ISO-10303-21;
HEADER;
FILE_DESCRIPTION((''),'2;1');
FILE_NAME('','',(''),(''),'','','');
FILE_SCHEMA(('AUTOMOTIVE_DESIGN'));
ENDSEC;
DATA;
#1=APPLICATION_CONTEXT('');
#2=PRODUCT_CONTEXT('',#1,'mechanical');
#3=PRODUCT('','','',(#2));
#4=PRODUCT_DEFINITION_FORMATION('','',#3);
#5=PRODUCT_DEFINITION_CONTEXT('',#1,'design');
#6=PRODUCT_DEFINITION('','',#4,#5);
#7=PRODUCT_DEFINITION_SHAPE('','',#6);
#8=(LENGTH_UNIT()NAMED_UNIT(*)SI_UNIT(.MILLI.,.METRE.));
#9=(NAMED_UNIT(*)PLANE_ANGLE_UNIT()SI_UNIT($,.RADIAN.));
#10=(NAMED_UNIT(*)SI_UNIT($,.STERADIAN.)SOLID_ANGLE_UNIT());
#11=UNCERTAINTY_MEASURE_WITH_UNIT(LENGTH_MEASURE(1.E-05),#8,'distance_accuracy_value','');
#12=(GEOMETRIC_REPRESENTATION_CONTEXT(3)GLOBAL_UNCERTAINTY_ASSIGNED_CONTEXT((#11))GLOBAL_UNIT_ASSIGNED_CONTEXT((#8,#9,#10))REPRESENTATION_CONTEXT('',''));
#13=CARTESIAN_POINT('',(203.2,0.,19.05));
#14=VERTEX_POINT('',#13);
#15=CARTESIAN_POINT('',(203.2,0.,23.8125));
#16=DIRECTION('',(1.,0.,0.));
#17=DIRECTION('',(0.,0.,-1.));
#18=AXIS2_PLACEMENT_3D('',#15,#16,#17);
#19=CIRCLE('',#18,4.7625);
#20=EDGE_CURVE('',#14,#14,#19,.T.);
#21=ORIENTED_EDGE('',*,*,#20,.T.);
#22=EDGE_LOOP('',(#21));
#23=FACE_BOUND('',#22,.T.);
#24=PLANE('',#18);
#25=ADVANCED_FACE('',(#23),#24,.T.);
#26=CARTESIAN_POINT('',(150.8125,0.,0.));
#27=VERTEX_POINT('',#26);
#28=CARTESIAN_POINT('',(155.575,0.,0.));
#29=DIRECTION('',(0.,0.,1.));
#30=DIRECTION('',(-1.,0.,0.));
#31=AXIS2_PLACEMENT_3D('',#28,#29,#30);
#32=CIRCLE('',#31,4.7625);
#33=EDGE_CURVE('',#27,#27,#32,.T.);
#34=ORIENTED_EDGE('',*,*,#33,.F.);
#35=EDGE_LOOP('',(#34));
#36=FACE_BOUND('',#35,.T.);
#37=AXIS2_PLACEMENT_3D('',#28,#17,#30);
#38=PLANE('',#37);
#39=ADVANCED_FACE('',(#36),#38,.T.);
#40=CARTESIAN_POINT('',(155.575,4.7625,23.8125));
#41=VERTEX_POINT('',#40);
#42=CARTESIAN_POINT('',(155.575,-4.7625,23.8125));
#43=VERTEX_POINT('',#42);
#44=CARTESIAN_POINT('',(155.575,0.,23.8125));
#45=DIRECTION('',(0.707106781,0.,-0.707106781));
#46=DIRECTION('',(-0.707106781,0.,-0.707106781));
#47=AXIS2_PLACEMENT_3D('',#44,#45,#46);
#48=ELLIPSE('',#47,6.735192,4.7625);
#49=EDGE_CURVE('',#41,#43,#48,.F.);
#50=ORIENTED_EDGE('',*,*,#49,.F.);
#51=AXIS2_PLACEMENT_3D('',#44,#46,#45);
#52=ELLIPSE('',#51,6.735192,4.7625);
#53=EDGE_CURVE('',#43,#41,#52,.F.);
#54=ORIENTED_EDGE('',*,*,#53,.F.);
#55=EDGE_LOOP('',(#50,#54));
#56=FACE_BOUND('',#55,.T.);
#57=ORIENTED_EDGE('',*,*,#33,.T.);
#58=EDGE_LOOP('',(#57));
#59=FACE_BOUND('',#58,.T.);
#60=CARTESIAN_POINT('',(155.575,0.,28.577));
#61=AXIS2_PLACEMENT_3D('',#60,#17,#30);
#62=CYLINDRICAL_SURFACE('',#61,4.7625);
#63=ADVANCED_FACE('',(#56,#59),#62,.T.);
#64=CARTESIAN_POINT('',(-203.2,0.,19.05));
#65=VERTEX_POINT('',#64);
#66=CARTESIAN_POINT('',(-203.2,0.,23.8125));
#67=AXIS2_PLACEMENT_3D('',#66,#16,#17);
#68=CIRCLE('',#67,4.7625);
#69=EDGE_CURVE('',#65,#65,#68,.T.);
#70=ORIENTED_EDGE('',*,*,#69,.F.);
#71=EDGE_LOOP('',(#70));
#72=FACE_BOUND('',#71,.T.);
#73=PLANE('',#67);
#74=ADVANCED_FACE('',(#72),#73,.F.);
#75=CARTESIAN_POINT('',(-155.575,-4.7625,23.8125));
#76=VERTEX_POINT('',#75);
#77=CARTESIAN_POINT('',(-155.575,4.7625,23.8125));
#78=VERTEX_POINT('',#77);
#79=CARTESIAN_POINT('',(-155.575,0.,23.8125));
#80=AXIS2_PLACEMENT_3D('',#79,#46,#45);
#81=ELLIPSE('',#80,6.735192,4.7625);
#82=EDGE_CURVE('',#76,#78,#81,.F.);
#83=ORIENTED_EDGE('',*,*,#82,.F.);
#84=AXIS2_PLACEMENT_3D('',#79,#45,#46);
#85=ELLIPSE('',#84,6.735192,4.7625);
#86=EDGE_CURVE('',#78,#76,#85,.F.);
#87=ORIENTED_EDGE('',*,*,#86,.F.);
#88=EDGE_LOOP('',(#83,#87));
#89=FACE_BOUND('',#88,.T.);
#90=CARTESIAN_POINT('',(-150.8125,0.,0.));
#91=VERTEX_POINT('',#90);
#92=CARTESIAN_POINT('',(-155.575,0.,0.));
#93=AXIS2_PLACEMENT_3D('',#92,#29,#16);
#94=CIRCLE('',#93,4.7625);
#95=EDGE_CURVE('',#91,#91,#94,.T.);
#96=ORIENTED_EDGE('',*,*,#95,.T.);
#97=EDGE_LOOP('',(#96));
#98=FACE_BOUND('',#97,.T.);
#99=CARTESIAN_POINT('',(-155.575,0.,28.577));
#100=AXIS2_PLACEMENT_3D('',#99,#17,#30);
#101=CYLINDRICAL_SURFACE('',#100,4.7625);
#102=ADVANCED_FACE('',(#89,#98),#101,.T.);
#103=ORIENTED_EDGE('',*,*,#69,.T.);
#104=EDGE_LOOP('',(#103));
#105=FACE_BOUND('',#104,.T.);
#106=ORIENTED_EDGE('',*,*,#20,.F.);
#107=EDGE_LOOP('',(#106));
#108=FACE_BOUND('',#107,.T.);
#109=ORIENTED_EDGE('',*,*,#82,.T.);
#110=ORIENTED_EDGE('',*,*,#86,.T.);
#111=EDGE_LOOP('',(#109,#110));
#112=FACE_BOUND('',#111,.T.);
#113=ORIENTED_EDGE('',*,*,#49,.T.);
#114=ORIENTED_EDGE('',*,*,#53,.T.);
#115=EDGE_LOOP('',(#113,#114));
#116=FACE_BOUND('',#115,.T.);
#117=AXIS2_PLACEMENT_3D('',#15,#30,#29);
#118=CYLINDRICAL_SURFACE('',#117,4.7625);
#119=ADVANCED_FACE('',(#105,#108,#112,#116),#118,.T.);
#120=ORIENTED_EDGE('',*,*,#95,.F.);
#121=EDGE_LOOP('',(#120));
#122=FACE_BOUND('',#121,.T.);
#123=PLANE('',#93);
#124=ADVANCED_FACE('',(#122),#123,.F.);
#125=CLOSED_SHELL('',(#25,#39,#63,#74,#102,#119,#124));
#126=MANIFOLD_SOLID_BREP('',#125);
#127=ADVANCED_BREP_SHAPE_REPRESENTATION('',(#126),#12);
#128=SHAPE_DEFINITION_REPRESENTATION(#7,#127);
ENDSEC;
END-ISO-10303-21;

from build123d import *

# Parameters (mm, degrees)
SKETCH2_R           = 4.7625
BOSS_EXTRUDE1_DEPTH = 203.2
BOSS_EXTRUDE2_REACH = 30.575
SKETCH1_R           = 4.7625


with BuildPart() as part:
    # Sketch2 → Boss-Extrude1 (new body, symmetric)
    with BuildSketch(Plane(origin=(0, 0, 0), x_dir=(0, 0, -1), z_dir=(1, 0, 0))):
        with Locations((-23.8125, 0)):
            Circle(SKETCH2_R)
    extrude(amount=BOSS_EXTRUDE1_DEPTH, both=True)

    # Sketch1 → Boss-Extrude2 (add, up to next)
    with BuildSketch(Plane.XY, mode=Mode.PRIVATE) as boss_extrude2_sk1:
        with Locations((-155.575, 0)):
            Circle(SKETCH1_R)
    boss_extrude2_tool1 = extrude(boss_extrude2_sk1.sketch, amount=BOSS_EXTRUDE2_REACH, mode=Mode.PRIVATE) - part.part
    add(boss_extrude2_tool1.solids().sort_by_distance((-155.575, 0, 0))[0])
    # Sketch1 → Boss-Extrude2 (add, up to next)
    with BuildSketch(Plane.XY, mode=Mode.PRIVATE) as boss_extrude2_sk2:
        with Locations((155.575, 0)):
            Circle(SKETCH1_R)
    boss_extrude2_tool2 = extrude(boss_extrude2_sk2.sketch, amount=BOSS_EXTRUDE2_REACH, mode=Mode.PRIVATE) - part.part
    add(boss_extrude2_tool2.solids().sort_by_distance((155.575, 0, 0))[0])


solid = part.part
